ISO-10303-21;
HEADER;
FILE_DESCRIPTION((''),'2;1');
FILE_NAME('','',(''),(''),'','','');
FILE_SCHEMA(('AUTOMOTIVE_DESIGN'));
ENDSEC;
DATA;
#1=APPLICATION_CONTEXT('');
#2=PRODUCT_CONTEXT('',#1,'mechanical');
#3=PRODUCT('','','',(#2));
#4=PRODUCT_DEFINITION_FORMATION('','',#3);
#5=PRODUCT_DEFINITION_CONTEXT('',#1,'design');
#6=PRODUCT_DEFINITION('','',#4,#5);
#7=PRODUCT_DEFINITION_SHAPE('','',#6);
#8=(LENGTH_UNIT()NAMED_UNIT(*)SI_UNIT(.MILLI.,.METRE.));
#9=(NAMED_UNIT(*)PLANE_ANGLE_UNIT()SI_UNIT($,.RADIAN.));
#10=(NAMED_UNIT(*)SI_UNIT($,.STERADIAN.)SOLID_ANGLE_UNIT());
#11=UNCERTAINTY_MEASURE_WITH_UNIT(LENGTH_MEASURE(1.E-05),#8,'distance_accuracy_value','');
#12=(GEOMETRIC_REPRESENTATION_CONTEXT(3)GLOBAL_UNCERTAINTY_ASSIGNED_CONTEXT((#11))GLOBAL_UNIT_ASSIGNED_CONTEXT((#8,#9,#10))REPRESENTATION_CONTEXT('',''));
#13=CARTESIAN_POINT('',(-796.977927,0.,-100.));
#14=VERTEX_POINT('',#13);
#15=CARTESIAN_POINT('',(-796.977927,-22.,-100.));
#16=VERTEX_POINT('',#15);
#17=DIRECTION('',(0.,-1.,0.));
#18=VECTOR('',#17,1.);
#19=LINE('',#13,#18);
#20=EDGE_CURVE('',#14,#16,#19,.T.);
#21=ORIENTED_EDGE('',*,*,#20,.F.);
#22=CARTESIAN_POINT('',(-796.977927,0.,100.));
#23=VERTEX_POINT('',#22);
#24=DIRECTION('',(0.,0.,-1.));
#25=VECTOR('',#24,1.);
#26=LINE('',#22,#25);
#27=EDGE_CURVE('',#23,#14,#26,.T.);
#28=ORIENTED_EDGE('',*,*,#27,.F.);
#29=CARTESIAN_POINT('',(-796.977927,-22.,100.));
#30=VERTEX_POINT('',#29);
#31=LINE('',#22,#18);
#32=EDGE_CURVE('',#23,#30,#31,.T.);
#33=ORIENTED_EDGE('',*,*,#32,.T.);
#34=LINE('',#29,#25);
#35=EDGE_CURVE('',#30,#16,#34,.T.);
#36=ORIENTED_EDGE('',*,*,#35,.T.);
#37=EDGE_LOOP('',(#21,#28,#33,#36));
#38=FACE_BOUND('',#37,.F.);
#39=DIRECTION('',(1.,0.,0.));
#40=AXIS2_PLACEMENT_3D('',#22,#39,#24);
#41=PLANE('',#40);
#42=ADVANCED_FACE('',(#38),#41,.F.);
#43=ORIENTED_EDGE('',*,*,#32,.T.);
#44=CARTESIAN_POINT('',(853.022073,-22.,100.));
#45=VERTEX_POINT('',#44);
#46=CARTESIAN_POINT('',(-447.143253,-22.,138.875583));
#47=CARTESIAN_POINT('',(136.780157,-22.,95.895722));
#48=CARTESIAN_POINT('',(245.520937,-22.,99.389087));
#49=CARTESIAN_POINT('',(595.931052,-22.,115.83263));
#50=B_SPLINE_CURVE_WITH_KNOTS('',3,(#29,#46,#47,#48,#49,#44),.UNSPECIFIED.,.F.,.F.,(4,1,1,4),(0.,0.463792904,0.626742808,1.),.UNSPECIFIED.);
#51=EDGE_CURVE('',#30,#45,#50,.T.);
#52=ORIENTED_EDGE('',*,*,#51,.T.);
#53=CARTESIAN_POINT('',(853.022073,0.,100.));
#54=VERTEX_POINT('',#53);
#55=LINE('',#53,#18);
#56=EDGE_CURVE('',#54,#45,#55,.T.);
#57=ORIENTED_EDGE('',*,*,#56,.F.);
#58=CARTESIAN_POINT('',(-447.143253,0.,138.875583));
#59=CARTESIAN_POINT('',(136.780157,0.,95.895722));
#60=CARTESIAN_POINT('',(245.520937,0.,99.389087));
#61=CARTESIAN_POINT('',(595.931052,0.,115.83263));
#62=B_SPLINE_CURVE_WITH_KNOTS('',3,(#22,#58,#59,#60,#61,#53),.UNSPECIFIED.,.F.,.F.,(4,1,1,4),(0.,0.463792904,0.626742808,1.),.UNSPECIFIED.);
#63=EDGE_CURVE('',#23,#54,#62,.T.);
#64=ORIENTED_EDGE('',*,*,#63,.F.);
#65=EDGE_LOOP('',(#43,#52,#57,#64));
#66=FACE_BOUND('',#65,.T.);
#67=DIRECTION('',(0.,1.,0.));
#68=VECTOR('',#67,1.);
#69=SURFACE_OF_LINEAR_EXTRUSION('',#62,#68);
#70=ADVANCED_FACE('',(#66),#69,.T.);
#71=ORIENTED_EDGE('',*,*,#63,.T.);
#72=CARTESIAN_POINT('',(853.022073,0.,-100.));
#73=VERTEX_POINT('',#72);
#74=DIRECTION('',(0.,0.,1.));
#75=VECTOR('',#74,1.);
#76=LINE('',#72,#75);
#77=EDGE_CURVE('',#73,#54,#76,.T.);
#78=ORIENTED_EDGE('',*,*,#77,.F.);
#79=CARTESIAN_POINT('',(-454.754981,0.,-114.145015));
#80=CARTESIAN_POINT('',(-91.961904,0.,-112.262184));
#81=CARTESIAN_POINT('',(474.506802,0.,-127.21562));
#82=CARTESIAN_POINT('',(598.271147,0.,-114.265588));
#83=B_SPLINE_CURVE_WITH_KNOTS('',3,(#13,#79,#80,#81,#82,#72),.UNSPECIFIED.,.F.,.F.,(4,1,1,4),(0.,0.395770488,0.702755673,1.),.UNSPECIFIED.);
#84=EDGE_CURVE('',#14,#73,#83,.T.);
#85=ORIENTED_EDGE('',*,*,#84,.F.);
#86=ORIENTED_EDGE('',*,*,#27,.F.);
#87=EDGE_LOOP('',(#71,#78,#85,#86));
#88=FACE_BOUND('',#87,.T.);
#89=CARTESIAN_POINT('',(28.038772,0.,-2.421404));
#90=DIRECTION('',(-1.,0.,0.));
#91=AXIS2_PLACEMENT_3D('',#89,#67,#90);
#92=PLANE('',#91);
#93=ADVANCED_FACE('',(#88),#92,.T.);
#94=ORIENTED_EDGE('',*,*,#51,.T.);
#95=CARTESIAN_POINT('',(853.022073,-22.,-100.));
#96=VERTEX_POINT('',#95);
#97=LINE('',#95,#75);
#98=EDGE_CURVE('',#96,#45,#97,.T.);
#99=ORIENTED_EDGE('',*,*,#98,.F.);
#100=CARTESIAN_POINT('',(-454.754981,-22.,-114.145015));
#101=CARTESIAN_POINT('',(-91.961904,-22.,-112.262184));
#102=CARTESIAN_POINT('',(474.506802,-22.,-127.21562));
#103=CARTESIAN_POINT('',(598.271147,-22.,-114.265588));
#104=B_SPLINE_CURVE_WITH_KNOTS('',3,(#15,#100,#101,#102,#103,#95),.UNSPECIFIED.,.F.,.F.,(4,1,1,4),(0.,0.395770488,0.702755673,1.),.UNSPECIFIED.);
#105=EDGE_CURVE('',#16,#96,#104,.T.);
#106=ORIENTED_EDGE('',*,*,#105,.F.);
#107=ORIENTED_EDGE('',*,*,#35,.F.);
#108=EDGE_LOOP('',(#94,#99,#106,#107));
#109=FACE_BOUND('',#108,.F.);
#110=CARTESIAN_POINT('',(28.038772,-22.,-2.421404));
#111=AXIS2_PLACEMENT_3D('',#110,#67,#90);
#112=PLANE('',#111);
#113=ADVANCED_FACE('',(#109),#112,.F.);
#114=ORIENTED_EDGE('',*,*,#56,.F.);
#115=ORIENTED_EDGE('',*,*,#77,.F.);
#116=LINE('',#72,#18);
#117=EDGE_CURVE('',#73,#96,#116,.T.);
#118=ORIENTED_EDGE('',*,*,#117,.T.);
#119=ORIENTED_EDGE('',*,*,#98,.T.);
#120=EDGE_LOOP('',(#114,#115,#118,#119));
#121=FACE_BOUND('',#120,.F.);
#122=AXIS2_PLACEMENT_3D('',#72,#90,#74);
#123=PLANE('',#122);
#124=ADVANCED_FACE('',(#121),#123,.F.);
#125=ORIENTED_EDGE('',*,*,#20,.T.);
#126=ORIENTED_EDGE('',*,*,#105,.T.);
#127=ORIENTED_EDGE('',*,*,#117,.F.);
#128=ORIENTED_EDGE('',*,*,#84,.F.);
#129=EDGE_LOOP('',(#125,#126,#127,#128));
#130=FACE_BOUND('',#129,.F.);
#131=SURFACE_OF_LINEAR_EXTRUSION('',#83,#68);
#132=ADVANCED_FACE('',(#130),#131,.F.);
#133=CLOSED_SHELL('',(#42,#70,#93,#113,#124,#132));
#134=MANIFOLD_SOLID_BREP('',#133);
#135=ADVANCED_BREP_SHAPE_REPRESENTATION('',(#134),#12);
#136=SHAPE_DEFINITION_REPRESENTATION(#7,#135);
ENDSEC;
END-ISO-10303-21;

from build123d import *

# Parameters (mm, degrees)
F1_DEPTH = 22


with BuildPart() as f1:
    # F0 (on Front) → F1 (new body)
    with BuildSketch(Plane.XZ):
        with BuildLine():
            add(Edge.make_bspline(
                [(-796.9779274989, 100), (-447.1432525192, 138.8755834731), (136.7801574297, 95.8957215324), (245.5209371548, 99.3890867079), (595.9310516525, 115.8326299022), (853.0220725011, 100)],
                knots=[0, 0, 0, 0, 0.4637929044, 0.6267428084, 1, 1, 1, 1], degree=3))
            Line((-796.9779274989, 100), (-796.9779274989, -100))
            add(Edge.make_bspline(
                [(-796.9779274989, -100), (-454.7549810922, -114.1450153807), (-91.9619042667, -112.2621840264), (474.506802212, -127.2156203224), (598.2711471785, -114.2655883299), (853.0220725011, -100)],
                knots=[0, 0, 0, 0, 0.3957704881, 0.7027556727, 1, 1, 1, 1], degree=3))
            Line((853.0220725011, -100), (853.0220725011, 100))
        make_face()
    extrude(amount=F1_DEPTH)


solid = f1.part
